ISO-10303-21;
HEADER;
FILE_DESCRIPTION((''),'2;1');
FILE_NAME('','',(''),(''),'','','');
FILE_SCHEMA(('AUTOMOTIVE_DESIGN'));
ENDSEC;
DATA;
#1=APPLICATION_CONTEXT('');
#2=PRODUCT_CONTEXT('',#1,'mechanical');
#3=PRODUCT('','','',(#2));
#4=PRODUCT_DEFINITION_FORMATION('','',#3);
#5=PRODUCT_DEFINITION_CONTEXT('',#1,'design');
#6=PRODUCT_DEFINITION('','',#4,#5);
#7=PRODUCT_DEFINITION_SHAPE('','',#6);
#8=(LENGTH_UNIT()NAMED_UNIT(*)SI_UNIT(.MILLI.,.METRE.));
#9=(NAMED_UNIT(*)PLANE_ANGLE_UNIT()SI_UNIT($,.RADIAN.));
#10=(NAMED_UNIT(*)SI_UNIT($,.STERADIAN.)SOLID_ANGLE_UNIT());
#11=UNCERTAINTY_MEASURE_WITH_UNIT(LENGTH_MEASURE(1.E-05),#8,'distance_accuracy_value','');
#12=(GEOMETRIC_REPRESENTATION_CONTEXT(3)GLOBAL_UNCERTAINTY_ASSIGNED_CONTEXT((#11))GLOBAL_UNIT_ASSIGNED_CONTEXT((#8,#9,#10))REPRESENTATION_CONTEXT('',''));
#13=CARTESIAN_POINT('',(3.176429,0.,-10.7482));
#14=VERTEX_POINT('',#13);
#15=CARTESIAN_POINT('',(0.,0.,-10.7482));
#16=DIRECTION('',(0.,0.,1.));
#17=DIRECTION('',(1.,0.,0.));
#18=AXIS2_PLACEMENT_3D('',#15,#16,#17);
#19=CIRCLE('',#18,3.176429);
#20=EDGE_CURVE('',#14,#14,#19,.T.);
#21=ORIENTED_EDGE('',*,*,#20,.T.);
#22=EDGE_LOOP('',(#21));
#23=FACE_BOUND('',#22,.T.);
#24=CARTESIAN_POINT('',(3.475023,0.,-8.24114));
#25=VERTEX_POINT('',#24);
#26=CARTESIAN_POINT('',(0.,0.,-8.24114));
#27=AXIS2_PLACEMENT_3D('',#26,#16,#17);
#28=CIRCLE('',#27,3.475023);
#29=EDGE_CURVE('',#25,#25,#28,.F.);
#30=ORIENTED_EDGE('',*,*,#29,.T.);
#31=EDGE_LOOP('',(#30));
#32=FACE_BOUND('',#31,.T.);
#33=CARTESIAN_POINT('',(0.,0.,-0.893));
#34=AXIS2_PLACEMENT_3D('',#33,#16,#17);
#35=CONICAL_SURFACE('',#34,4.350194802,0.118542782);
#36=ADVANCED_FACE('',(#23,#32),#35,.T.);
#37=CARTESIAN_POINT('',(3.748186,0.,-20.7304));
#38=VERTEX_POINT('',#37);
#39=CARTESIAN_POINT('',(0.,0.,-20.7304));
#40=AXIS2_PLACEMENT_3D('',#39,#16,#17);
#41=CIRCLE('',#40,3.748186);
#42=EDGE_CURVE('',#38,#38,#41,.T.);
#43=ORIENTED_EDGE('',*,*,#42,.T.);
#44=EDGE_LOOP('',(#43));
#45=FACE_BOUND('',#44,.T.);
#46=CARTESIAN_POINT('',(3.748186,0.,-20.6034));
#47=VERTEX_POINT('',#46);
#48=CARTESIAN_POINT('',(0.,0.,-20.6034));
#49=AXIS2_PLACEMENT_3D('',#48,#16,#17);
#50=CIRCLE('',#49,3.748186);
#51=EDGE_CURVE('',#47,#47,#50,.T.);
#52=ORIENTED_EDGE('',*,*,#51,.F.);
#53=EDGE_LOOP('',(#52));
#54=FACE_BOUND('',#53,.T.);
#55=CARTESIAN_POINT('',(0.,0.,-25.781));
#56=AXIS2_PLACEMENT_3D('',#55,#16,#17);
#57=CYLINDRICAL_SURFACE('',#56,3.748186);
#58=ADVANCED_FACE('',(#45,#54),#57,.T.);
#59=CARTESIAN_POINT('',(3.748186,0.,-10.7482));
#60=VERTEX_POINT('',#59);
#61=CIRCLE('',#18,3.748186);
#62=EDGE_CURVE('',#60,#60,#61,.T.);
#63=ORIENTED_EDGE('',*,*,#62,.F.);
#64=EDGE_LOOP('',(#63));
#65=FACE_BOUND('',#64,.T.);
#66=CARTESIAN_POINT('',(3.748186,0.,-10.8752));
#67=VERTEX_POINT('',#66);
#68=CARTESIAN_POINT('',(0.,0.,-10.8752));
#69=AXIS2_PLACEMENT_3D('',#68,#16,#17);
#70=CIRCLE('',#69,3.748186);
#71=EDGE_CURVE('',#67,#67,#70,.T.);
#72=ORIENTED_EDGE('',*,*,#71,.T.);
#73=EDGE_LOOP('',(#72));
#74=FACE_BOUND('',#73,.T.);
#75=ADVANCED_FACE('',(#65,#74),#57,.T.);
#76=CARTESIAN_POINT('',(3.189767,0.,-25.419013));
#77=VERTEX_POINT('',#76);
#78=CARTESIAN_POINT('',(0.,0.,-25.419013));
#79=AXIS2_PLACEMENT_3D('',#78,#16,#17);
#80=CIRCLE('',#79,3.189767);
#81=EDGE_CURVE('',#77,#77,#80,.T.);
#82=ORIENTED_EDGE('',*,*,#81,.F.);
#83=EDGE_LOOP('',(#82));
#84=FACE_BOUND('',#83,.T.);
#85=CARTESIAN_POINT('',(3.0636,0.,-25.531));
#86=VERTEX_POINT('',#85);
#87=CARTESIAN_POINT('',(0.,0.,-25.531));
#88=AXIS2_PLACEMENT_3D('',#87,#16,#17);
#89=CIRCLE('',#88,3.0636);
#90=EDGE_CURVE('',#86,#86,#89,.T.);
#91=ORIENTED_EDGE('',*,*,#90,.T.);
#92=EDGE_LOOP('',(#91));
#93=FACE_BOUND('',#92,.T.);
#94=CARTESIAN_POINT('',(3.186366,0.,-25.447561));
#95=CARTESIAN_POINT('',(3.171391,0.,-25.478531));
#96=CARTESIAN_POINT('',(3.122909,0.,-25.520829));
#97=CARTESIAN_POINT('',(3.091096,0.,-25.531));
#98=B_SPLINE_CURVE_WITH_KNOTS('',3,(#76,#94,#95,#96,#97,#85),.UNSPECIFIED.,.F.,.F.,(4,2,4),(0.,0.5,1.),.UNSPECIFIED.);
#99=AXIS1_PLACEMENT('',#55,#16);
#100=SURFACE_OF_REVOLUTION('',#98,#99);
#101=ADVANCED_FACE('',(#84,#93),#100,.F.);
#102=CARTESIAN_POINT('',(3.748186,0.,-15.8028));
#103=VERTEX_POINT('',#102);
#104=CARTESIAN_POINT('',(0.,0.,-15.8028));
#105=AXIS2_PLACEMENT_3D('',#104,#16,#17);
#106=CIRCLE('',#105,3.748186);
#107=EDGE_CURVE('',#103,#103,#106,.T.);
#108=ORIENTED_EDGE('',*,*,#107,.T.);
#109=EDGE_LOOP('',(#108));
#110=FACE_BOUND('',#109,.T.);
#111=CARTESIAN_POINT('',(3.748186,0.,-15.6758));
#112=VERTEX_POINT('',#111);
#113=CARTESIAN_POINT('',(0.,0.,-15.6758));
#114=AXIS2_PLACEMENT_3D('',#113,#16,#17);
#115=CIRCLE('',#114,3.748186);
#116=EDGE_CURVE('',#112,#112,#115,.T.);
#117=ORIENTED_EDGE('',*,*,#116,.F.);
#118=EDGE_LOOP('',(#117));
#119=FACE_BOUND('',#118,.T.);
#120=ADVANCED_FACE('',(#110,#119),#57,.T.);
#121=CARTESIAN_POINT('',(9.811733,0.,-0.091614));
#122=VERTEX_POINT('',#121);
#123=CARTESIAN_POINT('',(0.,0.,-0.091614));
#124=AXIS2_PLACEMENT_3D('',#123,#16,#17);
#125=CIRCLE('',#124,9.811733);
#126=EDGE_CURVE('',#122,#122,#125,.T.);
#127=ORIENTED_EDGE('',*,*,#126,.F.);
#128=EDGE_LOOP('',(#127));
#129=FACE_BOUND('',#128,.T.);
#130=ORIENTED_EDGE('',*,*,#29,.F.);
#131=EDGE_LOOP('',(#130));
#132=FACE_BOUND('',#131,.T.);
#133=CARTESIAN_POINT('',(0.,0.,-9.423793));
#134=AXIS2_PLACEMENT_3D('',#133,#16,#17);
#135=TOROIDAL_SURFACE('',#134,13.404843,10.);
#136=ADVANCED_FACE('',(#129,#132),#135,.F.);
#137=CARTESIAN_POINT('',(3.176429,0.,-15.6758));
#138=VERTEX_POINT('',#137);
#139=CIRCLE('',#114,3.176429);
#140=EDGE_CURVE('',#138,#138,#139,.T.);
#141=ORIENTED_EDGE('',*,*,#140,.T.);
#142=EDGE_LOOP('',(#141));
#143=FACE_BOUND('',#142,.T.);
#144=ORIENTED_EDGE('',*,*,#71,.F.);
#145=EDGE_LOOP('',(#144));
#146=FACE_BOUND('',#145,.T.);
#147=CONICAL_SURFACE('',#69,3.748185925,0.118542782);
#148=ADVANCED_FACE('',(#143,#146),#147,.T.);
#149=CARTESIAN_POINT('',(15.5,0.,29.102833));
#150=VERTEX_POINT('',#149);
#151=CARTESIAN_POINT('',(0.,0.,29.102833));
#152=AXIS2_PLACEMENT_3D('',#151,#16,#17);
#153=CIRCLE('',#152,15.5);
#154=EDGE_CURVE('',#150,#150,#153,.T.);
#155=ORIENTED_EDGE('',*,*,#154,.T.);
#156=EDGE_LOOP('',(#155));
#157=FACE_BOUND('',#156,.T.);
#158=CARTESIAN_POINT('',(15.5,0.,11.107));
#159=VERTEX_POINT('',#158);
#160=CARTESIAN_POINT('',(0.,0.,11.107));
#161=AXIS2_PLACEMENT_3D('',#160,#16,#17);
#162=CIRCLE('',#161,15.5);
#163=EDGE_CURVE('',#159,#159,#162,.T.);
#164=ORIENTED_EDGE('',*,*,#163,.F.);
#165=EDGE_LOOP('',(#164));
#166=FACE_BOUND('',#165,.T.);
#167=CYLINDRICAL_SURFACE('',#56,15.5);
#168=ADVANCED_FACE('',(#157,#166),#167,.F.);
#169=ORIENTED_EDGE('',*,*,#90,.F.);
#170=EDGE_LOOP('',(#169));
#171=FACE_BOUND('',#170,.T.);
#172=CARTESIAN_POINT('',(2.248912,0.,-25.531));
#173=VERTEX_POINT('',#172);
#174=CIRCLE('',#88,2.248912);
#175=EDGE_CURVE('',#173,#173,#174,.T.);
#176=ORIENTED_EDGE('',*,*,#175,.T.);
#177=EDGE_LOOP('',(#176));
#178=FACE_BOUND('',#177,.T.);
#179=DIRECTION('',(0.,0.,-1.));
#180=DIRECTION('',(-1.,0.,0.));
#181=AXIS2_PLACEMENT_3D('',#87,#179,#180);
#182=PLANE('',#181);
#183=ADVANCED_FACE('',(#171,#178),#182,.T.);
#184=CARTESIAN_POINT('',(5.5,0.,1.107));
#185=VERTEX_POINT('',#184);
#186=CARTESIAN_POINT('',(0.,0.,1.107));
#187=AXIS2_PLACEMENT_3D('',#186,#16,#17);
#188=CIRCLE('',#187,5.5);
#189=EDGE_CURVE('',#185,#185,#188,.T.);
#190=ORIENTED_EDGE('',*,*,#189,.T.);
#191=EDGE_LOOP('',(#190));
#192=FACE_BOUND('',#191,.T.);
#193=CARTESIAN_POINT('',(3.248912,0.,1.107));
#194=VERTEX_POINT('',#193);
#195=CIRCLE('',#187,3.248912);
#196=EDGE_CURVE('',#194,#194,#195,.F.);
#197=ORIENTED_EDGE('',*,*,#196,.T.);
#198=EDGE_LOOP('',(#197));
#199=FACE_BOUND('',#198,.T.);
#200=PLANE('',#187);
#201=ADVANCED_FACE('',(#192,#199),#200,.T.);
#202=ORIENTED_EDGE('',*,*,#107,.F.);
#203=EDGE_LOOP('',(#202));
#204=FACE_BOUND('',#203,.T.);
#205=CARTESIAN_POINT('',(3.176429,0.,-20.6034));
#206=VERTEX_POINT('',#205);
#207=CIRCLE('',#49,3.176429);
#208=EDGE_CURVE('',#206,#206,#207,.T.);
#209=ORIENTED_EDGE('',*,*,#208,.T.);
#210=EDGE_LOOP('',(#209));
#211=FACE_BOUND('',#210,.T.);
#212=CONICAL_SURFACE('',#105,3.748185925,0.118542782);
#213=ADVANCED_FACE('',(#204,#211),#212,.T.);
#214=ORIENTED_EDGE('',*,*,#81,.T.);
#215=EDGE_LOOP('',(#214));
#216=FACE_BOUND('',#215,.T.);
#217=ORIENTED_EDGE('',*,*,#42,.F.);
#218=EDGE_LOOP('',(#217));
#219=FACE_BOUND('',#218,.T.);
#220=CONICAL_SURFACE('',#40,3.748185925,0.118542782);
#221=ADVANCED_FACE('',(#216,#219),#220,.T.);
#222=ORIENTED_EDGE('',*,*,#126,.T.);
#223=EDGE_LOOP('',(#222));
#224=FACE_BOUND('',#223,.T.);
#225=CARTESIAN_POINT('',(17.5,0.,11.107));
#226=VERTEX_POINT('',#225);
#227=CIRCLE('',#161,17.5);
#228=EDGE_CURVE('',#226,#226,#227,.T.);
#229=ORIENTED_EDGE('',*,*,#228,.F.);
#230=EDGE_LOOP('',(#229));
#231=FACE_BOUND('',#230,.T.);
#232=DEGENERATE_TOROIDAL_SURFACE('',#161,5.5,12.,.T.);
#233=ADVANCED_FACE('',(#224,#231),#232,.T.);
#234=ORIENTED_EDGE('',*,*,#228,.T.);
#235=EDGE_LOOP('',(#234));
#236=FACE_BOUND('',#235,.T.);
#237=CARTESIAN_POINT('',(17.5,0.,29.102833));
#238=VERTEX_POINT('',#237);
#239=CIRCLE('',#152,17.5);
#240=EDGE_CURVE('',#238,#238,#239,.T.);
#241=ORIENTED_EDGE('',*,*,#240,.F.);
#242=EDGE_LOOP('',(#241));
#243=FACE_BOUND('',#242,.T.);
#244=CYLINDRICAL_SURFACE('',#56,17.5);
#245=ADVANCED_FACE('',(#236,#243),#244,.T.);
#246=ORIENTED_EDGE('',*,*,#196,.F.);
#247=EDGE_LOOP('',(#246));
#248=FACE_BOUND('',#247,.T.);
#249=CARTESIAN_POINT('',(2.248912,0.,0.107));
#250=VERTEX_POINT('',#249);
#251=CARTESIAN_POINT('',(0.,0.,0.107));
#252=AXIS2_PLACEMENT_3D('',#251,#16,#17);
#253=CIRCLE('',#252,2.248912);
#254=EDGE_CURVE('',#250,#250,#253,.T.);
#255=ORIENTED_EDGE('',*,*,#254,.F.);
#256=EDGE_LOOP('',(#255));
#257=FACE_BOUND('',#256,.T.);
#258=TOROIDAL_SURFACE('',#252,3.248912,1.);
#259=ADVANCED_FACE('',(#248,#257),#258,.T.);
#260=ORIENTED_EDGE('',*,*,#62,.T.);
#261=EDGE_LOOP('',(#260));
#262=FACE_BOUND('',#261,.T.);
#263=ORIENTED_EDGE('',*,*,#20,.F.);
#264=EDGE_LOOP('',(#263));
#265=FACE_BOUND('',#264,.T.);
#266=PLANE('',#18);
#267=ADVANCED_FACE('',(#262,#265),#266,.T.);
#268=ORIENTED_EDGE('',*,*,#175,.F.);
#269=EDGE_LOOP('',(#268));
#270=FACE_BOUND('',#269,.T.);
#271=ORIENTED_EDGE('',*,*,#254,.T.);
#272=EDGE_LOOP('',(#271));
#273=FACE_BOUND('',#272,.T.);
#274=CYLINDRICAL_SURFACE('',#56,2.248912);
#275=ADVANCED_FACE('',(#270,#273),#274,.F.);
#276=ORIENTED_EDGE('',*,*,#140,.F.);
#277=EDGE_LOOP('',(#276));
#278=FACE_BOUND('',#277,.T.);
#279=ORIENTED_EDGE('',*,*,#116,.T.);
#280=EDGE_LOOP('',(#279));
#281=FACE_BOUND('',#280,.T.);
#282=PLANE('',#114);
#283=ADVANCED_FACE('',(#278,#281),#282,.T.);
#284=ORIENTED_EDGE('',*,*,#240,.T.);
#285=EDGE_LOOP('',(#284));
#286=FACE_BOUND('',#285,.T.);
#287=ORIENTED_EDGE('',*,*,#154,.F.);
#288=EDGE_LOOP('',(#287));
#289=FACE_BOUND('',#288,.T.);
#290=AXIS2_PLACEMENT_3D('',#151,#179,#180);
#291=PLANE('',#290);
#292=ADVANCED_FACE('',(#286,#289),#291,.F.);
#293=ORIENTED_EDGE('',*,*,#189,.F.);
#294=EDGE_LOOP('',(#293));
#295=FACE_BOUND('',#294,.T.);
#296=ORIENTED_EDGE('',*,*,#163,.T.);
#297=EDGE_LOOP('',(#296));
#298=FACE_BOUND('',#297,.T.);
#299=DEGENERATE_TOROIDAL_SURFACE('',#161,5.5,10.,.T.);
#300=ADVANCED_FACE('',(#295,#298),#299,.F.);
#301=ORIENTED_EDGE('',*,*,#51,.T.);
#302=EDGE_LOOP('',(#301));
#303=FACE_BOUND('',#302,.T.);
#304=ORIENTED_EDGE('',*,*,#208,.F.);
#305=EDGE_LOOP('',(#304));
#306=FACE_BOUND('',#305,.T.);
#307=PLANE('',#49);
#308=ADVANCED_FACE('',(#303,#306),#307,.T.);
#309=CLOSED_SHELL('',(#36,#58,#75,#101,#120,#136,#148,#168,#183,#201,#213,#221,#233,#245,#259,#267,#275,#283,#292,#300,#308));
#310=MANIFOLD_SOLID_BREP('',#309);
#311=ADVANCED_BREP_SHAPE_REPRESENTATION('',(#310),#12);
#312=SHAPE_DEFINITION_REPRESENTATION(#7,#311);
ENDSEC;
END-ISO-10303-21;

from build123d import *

# Parameters (mm, degrees)
FILLET1_R = 10
FILLET2_R = 1


with BuildPart() as part:
    # Sketch1 → Revolve1 (revolve)
    with BuildSketch(Plane(origin=(0, 0, 0), x_dir=(1, 0, 0), z_dir=(0, 1, 0))):
        with BuildLine():
            Line((4.350194802, 0.893), (3.17642875, 10.7482))
            Line((3.17642875, 10.7482), (3.748185925, 10.7482))
            Line((3.748185925, 10.7482), (3.748185925, 10.8752))
            Line((3.748185925, 10.8752), (3.17642875, 15.6758))
            Line((3.17642875, 15.6758), (3.748185925, 15.6758))
            Line((3.748185925, 15.6758), (3.748185925, 15.8028))
            Line((3.748185925, 15.8028), (3.17642875, 20.6034))
            Line((3.17642875, 20.6034), (3.748185925, 20.6034))
            Line((3.748185925, 20.6034), (3.748185925, 20.7304))
            Line((3.748185925, 20.7304), (3.189766531, 25.419013037))
            add(Edge.make_bspline(
                [(3.189766531, 25.419013037), (3.186366459, 25.447560793), (3.171391458, 25.478531163), (3.122909051, 25.520829006), (3.091096062, 25.531), (3.063600271, 25.531)],
                knots=[0, 0, 0, 0, 0.5, 0.5, 1, 1, 1, 1], degree=3))
            Line((3.063600271, 25.531), (2.248911555, 25.531))
            Line((2.248911555, 25.531), (2.248911555, -1.107))
            Line((2.248911555, -1.107), (5.5, -1.107))
            ThreePointArc((5.5, -1.107), (12.571067812, -4.035932188), (15.5, -11.107))
            Line((15.5, -11.107), (15.5, -29.102833044))
            Line((15.5, -29.102833044), (17.5, -29.102833044))
            Line((17.5, -29.102833044), (17.5, -11.107))
            ThreePointArc((17.5, -11.107), (13.985281374, -2.621718626), (5.5, 0.893))
            Line((5.5, 0.893), (4.350194802, 0.893))
        make_face()
    revolve(axis=Axis((0, 0, -25.781), (0, 0, 1)))

    # Fillet1
    fillet1_edges = [part.edges().sort_by_distance(p)[0] for p in [
        (-4.350194802, 0, -0.893),
    ]]
    fillet(fillet1_edges, radius=FILLET1_R)

    # Fillet2
    fillet2_edges = [part.edges().sort_by_distance(p)[0] for p in [
        (-2.248911555, 0, 1.107),
    ]]
    fillet(fillet2_edges, radius=FILLET2_R)


solid = part.part
